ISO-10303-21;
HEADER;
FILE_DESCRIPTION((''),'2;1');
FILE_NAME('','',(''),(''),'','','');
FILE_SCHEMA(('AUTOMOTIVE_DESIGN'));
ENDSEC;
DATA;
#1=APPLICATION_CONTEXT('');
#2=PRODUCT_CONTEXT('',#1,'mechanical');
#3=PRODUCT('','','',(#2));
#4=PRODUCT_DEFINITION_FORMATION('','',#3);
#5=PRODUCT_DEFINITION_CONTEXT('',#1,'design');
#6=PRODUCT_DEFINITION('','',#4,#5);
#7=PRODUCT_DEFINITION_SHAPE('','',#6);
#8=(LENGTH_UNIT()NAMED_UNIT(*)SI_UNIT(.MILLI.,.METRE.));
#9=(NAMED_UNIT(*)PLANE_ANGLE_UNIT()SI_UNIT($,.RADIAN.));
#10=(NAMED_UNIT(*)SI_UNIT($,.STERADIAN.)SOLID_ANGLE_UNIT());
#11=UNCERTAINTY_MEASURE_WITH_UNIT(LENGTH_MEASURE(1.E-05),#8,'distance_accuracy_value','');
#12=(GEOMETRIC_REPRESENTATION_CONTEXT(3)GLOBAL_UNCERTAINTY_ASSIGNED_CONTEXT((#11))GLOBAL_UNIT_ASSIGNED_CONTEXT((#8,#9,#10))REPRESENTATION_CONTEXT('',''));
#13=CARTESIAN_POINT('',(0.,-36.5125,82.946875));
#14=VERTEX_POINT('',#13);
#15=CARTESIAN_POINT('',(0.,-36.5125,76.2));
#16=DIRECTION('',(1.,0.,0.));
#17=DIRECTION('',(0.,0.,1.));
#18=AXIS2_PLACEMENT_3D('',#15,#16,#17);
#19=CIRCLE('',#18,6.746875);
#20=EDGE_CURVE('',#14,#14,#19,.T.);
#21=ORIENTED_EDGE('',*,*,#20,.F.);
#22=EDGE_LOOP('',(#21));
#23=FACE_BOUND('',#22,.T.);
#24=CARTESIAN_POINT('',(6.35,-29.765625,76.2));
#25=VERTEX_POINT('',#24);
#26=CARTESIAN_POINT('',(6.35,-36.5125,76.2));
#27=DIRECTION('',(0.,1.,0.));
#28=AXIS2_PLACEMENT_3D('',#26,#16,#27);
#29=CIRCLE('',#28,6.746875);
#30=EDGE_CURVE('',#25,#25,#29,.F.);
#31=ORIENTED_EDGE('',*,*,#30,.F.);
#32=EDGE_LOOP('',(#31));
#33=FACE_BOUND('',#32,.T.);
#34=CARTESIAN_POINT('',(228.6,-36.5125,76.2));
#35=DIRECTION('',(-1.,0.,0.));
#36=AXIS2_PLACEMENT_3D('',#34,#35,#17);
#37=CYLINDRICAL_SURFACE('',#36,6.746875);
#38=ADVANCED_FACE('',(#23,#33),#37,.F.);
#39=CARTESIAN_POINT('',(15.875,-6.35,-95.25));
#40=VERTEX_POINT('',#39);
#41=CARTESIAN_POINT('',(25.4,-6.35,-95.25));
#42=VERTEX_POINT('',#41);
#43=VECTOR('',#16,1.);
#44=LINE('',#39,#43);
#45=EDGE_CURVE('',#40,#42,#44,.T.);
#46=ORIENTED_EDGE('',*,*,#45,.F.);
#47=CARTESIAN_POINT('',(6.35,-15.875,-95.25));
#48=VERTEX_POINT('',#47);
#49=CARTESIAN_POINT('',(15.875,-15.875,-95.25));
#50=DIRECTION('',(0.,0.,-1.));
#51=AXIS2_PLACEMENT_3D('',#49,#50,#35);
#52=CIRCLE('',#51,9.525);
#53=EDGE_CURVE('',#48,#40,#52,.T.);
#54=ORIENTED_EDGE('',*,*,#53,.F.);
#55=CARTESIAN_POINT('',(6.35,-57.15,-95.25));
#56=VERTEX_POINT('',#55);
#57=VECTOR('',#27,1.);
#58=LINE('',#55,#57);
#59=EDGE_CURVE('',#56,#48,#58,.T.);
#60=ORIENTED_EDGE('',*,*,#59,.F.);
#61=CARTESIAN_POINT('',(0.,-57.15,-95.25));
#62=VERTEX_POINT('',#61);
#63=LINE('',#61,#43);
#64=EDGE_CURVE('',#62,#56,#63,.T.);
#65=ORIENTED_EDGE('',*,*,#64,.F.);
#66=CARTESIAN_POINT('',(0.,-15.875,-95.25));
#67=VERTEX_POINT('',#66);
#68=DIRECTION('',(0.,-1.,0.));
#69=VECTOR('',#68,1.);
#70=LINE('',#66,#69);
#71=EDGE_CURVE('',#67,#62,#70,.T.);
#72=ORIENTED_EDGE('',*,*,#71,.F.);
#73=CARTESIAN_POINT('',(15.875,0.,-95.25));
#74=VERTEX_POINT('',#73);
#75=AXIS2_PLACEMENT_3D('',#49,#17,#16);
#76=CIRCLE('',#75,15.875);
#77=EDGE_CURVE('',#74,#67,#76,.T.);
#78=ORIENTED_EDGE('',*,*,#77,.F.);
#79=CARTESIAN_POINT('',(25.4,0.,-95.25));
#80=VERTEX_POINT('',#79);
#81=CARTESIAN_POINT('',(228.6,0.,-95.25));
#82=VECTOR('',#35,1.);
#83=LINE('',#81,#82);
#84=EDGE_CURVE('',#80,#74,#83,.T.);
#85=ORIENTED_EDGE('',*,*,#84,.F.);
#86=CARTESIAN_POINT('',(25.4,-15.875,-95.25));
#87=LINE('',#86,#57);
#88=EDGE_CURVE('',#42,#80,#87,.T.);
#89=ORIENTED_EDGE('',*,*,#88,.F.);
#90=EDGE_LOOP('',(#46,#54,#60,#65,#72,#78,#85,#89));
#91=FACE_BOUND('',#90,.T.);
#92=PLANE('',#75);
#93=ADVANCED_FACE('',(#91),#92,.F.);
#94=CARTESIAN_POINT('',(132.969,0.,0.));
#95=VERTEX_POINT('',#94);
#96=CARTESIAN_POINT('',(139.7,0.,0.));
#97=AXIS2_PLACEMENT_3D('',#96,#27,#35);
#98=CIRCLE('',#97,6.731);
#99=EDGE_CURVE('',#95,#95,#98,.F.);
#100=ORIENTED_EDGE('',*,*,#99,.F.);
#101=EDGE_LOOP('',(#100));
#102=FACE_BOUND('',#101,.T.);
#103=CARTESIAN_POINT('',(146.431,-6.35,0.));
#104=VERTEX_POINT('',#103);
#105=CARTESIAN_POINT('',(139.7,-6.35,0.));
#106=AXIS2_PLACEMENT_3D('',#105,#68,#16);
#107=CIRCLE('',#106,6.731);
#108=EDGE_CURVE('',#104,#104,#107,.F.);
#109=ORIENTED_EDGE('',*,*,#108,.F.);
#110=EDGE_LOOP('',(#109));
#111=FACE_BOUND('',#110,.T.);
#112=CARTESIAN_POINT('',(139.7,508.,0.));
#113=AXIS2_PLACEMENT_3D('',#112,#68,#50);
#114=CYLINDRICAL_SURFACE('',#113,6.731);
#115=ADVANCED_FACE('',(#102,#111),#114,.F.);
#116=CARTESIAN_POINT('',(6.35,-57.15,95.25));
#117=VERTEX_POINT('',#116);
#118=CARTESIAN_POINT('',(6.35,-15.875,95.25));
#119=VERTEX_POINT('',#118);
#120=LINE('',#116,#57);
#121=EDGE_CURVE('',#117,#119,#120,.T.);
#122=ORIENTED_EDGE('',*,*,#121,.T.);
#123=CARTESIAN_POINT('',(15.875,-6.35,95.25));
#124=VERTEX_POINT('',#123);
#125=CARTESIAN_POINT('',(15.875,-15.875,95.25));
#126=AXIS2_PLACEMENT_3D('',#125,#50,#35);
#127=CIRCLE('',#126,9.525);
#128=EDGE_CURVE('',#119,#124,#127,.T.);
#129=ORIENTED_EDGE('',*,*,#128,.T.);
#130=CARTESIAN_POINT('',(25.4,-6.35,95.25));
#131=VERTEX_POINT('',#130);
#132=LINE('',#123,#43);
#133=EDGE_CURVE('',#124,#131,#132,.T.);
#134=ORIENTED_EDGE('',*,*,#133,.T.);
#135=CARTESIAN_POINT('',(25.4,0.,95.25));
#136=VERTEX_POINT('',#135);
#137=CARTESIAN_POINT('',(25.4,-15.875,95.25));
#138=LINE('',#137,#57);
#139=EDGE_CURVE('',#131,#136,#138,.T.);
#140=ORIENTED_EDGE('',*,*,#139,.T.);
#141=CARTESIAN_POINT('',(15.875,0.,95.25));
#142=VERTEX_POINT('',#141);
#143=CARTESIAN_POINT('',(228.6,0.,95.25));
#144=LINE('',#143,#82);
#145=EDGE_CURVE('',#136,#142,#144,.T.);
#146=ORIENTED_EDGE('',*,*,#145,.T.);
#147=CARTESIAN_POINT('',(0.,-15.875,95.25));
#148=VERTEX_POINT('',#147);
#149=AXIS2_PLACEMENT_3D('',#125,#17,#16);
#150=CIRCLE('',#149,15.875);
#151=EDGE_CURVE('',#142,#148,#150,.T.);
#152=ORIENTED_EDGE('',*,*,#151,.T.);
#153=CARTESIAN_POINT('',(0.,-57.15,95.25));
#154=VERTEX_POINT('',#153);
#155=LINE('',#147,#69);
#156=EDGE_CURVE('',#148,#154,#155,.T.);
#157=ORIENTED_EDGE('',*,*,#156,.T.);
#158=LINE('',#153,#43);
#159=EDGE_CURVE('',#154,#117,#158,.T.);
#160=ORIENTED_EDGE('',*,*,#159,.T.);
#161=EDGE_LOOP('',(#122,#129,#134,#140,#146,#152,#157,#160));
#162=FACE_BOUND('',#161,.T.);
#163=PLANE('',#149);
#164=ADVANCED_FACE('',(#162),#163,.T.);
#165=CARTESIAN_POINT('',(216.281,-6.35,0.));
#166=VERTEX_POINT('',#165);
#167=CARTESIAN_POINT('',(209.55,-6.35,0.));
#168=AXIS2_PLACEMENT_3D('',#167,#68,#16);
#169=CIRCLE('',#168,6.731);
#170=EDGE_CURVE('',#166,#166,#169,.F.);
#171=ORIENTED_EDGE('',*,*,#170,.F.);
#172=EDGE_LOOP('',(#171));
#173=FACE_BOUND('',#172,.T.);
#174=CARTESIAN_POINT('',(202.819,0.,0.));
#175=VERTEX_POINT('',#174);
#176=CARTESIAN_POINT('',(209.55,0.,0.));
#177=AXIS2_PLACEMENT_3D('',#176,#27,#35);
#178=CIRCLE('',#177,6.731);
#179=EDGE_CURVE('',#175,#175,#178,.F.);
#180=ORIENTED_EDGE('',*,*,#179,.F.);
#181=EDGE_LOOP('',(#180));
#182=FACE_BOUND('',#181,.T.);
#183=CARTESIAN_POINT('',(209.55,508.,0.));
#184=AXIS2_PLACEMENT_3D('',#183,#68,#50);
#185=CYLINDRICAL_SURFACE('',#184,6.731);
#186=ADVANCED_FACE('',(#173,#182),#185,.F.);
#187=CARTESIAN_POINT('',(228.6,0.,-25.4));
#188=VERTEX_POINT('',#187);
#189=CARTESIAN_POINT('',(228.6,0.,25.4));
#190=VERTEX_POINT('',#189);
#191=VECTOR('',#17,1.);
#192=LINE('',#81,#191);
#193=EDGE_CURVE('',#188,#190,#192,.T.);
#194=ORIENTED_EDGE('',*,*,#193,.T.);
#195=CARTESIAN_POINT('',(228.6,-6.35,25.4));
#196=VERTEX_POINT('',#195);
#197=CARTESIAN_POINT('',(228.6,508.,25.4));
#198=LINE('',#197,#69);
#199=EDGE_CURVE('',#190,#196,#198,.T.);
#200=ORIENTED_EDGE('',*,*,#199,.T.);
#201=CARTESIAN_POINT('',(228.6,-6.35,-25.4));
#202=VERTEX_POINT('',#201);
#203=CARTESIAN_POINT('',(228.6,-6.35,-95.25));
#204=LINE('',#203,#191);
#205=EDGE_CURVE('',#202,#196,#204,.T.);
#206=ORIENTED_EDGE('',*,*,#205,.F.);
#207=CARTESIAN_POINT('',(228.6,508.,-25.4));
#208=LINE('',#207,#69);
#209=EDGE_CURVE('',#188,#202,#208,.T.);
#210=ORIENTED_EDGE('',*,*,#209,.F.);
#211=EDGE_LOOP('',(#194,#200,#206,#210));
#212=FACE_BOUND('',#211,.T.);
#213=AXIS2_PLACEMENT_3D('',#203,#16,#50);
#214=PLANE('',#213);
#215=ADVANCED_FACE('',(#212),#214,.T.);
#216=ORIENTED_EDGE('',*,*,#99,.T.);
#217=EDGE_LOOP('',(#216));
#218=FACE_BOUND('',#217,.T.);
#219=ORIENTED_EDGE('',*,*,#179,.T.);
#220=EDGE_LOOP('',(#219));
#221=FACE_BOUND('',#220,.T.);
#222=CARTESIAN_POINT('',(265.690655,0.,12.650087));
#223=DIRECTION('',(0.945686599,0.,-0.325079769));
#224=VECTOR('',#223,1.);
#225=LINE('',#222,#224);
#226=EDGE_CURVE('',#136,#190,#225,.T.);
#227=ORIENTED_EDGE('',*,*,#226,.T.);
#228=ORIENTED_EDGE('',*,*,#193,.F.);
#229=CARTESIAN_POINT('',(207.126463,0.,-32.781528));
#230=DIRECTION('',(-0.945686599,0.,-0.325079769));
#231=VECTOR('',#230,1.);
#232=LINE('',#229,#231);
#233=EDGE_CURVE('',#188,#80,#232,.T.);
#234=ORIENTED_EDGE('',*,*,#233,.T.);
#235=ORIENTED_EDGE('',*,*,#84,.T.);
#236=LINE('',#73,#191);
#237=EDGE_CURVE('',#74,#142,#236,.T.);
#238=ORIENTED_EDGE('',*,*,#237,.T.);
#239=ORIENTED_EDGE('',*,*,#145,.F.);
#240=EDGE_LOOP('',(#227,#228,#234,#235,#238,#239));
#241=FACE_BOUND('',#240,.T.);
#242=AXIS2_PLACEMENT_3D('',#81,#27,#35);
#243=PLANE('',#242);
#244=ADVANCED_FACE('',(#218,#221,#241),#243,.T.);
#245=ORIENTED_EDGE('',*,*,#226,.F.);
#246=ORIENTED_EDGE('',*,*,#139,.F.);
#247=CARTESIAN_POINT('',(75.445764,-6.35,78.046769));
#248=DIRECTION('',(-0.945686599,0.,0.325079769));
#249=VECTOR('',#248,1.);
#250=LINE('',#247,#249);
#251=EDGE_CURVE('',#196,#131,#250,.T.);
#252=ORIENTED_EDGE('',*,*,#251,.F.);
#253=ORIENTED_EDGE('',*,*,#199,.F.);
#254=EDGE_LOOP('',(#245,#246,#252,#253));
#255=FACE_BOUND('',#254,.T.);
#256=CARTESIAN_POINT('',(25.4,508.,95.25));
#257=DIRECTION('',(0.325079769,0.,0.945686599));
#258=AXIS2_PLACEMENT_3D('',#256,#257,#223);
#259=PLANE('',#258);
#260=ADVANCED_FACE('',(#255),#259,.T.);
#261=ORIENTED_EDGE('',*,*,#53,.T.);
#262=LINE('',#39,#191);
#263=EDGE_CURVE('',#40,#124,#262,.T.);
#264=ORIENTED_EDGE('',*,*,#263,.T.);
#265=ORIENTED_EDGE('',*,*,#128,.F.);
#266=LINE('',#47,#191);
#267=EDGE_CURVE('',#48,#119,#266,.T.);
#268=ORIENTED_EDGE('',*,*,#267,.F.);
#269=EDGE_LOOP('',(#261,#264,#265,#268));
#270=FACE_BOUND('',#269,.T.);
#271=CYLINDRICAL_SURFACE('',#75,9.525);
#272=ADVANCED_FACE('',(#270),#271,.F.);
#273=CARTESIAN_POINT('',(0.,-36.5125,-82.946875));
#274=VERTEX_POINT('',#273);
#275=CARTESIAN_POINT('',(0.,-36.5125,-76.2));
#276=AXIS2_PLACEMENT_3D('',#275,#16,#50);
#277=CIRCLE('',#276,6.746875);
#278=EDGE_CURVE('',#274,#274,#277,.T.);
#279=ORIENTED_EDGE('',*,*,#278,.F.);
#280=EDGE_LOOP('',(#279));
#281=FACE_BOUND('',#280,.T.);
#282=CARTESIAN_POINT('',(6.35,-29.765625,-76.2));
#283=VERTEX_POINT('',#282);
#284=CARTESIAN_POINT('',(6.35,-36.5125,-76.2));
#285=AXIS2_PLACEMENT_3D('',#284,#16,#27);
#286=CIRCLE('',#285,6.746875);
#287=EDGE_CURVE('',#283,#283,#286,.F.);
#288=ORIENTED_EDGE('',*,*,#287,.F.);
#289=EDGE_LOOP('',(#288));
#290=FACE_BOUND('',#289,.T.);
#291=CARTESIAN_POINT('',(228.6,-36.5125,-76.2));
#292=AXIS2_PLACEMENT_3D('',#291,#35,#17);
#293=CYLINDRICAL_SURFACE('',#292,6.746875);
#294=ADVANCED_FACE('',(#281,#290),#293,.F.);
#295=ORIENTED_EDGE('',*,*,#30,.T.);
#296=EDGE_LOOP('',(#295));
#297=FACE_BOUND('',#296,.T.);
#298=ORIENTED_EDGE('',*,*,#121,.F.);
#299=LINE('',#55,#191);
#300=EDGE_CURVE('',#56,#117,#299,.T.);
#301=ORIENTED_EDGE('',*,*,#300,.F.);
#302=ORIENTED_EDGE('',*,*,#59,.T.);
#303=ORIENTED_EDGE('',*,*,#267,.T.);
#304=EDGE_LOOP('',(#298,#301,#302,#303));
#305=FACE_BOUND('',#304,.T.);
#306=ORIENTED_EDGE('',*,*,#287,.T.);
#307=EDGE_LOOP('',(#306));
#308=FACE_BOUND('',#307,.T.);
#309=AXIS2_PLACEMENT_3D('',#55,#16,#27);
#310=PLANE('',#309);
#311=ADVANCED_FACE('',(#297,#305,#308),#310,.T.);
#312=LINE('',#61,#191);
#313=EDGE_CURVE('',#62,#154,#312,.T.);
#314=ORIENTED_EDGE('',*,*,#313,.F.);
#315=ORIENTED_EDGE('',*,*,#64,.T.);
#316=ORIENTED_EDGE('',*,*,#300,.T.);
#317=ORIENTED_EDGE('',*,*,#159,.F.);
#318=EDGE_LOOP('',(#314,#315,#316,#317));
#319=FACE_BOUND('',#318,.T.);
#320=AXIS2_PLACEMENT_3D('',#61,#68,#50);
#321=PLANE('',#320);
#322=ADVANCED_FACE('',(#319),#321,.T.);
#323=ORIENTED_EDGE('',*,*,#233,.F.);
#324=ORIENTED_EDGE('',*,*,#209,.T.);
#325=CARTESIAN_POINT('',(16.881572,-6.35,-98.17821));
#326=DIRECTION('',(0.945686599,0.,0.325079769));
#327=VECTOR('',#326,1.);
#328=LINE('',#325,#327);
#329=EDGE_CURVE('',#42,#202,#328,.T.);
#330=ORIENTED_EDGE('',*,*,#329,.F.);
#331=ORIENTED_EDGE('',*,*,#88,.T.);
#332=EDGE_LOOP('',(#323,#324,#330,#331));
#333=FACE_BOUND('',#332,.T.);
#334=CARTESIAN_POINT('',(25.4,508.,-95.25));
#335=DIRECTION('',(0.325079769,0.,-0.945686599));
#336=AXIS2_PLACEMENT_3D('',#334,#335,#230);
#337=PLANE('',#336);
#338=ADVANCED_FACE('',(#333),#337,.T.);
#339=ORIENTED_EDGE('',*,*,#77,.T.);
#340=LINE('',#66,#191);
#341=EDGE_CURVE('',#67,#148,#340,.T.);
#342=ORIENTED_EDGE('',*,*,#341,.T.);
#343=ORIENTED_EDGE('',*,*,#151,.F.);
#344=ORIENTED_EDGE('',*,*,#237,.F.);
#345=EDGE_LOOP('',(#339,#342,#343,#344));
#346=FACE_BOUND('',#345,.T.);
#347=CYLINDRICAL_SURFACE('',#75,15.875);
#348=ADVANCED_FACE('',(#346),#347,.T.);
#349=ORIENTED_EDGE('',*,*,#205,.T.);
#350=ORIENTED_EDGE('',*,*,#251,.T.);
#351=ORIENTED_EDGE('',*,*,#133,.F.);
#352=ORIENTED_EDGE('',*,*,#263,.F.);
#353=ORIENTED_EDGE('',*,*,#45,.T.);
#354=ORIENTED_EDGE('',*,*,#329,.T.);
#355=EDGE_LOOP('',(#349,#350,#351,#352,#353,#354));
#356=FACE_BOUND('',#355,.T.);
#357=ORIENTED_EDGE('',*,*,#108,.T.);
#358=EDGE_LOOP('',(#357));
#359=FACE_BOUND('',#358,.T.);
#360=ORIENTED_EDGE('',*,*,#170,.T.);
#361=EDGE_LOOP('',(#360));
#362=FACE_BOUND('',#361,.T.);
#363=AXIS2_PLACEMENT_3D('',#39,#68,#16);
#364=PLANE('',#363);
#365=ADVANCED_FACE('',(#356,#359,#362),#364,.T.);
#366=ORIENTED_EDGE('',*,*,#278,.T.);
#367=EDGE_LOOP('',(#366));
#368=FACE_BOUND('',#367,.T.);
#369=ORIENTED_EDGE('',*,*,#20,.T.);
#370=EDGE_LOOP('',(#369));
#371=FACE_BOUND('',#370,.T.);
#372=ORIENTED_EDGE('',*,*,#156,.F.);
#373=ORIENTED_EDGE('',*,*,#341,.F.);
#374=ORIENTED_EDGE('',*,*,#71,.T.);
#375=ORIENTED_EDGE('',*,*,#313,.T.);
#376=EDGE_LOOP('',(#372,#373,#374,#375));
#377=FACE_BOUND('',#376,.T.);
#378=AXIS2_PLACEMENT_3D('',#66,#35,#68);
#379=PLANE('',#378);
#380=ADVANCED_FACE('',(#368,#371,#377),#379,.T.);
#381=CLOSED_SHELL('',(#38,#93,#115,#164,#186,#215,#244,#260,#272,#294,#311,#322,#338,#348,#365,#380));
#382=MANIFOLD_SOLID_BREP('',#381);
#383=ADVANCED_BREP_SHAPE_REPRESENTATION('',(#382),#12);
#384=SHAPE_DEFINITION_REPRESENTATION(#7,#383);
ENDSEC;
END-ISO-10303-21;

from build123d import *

# Parameters (mm, degrees)
EXTRUDE1_DEPTH         = 95.25
SKETCH2_R              = 6.731
CUT_CHAMFER_DEPTH      = 508
CUT_CHAMFER_DEPTH_BACK = 58.15
SKETCH3_R              = 6.746875
CUT_HOLES_DEPTH        = 229.6


with BuildPart() as part:
    # Sketch1 → Extrude1 (new body, symmetric)
    with BuildSketch(Plane.XY):
        with BuildLine():
            Line((228.6, 0), (15.875, 0))
            ThreePointArc((15.875, 0), (4.649679849, -4.649679849), (0, -15.875))
            Line((0, -15.875), (0, -57.15))
            Line((0, -57.15), (6.35, -57.15))
            Line((6.35, -57.15), (6.35, -15.875))
            ThreePointArc((6.35, -15.875), (9.139807909, -9.139807909), (15.875, -6.35))
            Line((15.875, -6.35), (228.6, -6.35))
            Line((228.6, -6.35), (228.6, 0))
        make_face()
    extrude(amount=EXTRUDE1_DEPTH, both=True)

    # Sketch2 → Cut-Chamfer (cut, two sides)
    with BuildSketch(Plane(origin=(0, 0, 0), x_dir=(1, 0, 0), z_dir=(0, 1, 0))) as cut_chamfer_sk:
        with Locations((209.55, 0)):
            Circle(SKETCH2_R)
        with Locations((139.7, 0)):
            Circle(SKETCH2_R)
        Polygon((25.4, 95.25), (228.6, 25.4), (228.6, 95.25), align=None)
        Polygon((25.4, -95.25), (228.6, -25.4), (228.6, -95.25), align=None)
    extrude(amount=CUT_CHAMFER_DEPTH, mode=Mode.SUBTRACT)
    extrude(cut_chamfer_sk.sketch, amount=-CUT_CHAMFER_DEPTH_BACK, mode=Mode.SUBTRACT)

    # Sketch3 → Cut-Holes (cut, through all)
    with BuildSketch(Plane(origin=(0, 0, 0), x_dir=(0, 0, -1), z_dir=(1, 0, 0))):
        with Locations((-76.2, -36.5125)):
            Circle(SKETCH3_R)
        with Locations((76.2, -36.5125)):
            Circle(SKETCH3_R)
    extrude(amount=CUT_HOLES_DEPTH, mode=Mode.SUBTRACT)


solid = part.part
